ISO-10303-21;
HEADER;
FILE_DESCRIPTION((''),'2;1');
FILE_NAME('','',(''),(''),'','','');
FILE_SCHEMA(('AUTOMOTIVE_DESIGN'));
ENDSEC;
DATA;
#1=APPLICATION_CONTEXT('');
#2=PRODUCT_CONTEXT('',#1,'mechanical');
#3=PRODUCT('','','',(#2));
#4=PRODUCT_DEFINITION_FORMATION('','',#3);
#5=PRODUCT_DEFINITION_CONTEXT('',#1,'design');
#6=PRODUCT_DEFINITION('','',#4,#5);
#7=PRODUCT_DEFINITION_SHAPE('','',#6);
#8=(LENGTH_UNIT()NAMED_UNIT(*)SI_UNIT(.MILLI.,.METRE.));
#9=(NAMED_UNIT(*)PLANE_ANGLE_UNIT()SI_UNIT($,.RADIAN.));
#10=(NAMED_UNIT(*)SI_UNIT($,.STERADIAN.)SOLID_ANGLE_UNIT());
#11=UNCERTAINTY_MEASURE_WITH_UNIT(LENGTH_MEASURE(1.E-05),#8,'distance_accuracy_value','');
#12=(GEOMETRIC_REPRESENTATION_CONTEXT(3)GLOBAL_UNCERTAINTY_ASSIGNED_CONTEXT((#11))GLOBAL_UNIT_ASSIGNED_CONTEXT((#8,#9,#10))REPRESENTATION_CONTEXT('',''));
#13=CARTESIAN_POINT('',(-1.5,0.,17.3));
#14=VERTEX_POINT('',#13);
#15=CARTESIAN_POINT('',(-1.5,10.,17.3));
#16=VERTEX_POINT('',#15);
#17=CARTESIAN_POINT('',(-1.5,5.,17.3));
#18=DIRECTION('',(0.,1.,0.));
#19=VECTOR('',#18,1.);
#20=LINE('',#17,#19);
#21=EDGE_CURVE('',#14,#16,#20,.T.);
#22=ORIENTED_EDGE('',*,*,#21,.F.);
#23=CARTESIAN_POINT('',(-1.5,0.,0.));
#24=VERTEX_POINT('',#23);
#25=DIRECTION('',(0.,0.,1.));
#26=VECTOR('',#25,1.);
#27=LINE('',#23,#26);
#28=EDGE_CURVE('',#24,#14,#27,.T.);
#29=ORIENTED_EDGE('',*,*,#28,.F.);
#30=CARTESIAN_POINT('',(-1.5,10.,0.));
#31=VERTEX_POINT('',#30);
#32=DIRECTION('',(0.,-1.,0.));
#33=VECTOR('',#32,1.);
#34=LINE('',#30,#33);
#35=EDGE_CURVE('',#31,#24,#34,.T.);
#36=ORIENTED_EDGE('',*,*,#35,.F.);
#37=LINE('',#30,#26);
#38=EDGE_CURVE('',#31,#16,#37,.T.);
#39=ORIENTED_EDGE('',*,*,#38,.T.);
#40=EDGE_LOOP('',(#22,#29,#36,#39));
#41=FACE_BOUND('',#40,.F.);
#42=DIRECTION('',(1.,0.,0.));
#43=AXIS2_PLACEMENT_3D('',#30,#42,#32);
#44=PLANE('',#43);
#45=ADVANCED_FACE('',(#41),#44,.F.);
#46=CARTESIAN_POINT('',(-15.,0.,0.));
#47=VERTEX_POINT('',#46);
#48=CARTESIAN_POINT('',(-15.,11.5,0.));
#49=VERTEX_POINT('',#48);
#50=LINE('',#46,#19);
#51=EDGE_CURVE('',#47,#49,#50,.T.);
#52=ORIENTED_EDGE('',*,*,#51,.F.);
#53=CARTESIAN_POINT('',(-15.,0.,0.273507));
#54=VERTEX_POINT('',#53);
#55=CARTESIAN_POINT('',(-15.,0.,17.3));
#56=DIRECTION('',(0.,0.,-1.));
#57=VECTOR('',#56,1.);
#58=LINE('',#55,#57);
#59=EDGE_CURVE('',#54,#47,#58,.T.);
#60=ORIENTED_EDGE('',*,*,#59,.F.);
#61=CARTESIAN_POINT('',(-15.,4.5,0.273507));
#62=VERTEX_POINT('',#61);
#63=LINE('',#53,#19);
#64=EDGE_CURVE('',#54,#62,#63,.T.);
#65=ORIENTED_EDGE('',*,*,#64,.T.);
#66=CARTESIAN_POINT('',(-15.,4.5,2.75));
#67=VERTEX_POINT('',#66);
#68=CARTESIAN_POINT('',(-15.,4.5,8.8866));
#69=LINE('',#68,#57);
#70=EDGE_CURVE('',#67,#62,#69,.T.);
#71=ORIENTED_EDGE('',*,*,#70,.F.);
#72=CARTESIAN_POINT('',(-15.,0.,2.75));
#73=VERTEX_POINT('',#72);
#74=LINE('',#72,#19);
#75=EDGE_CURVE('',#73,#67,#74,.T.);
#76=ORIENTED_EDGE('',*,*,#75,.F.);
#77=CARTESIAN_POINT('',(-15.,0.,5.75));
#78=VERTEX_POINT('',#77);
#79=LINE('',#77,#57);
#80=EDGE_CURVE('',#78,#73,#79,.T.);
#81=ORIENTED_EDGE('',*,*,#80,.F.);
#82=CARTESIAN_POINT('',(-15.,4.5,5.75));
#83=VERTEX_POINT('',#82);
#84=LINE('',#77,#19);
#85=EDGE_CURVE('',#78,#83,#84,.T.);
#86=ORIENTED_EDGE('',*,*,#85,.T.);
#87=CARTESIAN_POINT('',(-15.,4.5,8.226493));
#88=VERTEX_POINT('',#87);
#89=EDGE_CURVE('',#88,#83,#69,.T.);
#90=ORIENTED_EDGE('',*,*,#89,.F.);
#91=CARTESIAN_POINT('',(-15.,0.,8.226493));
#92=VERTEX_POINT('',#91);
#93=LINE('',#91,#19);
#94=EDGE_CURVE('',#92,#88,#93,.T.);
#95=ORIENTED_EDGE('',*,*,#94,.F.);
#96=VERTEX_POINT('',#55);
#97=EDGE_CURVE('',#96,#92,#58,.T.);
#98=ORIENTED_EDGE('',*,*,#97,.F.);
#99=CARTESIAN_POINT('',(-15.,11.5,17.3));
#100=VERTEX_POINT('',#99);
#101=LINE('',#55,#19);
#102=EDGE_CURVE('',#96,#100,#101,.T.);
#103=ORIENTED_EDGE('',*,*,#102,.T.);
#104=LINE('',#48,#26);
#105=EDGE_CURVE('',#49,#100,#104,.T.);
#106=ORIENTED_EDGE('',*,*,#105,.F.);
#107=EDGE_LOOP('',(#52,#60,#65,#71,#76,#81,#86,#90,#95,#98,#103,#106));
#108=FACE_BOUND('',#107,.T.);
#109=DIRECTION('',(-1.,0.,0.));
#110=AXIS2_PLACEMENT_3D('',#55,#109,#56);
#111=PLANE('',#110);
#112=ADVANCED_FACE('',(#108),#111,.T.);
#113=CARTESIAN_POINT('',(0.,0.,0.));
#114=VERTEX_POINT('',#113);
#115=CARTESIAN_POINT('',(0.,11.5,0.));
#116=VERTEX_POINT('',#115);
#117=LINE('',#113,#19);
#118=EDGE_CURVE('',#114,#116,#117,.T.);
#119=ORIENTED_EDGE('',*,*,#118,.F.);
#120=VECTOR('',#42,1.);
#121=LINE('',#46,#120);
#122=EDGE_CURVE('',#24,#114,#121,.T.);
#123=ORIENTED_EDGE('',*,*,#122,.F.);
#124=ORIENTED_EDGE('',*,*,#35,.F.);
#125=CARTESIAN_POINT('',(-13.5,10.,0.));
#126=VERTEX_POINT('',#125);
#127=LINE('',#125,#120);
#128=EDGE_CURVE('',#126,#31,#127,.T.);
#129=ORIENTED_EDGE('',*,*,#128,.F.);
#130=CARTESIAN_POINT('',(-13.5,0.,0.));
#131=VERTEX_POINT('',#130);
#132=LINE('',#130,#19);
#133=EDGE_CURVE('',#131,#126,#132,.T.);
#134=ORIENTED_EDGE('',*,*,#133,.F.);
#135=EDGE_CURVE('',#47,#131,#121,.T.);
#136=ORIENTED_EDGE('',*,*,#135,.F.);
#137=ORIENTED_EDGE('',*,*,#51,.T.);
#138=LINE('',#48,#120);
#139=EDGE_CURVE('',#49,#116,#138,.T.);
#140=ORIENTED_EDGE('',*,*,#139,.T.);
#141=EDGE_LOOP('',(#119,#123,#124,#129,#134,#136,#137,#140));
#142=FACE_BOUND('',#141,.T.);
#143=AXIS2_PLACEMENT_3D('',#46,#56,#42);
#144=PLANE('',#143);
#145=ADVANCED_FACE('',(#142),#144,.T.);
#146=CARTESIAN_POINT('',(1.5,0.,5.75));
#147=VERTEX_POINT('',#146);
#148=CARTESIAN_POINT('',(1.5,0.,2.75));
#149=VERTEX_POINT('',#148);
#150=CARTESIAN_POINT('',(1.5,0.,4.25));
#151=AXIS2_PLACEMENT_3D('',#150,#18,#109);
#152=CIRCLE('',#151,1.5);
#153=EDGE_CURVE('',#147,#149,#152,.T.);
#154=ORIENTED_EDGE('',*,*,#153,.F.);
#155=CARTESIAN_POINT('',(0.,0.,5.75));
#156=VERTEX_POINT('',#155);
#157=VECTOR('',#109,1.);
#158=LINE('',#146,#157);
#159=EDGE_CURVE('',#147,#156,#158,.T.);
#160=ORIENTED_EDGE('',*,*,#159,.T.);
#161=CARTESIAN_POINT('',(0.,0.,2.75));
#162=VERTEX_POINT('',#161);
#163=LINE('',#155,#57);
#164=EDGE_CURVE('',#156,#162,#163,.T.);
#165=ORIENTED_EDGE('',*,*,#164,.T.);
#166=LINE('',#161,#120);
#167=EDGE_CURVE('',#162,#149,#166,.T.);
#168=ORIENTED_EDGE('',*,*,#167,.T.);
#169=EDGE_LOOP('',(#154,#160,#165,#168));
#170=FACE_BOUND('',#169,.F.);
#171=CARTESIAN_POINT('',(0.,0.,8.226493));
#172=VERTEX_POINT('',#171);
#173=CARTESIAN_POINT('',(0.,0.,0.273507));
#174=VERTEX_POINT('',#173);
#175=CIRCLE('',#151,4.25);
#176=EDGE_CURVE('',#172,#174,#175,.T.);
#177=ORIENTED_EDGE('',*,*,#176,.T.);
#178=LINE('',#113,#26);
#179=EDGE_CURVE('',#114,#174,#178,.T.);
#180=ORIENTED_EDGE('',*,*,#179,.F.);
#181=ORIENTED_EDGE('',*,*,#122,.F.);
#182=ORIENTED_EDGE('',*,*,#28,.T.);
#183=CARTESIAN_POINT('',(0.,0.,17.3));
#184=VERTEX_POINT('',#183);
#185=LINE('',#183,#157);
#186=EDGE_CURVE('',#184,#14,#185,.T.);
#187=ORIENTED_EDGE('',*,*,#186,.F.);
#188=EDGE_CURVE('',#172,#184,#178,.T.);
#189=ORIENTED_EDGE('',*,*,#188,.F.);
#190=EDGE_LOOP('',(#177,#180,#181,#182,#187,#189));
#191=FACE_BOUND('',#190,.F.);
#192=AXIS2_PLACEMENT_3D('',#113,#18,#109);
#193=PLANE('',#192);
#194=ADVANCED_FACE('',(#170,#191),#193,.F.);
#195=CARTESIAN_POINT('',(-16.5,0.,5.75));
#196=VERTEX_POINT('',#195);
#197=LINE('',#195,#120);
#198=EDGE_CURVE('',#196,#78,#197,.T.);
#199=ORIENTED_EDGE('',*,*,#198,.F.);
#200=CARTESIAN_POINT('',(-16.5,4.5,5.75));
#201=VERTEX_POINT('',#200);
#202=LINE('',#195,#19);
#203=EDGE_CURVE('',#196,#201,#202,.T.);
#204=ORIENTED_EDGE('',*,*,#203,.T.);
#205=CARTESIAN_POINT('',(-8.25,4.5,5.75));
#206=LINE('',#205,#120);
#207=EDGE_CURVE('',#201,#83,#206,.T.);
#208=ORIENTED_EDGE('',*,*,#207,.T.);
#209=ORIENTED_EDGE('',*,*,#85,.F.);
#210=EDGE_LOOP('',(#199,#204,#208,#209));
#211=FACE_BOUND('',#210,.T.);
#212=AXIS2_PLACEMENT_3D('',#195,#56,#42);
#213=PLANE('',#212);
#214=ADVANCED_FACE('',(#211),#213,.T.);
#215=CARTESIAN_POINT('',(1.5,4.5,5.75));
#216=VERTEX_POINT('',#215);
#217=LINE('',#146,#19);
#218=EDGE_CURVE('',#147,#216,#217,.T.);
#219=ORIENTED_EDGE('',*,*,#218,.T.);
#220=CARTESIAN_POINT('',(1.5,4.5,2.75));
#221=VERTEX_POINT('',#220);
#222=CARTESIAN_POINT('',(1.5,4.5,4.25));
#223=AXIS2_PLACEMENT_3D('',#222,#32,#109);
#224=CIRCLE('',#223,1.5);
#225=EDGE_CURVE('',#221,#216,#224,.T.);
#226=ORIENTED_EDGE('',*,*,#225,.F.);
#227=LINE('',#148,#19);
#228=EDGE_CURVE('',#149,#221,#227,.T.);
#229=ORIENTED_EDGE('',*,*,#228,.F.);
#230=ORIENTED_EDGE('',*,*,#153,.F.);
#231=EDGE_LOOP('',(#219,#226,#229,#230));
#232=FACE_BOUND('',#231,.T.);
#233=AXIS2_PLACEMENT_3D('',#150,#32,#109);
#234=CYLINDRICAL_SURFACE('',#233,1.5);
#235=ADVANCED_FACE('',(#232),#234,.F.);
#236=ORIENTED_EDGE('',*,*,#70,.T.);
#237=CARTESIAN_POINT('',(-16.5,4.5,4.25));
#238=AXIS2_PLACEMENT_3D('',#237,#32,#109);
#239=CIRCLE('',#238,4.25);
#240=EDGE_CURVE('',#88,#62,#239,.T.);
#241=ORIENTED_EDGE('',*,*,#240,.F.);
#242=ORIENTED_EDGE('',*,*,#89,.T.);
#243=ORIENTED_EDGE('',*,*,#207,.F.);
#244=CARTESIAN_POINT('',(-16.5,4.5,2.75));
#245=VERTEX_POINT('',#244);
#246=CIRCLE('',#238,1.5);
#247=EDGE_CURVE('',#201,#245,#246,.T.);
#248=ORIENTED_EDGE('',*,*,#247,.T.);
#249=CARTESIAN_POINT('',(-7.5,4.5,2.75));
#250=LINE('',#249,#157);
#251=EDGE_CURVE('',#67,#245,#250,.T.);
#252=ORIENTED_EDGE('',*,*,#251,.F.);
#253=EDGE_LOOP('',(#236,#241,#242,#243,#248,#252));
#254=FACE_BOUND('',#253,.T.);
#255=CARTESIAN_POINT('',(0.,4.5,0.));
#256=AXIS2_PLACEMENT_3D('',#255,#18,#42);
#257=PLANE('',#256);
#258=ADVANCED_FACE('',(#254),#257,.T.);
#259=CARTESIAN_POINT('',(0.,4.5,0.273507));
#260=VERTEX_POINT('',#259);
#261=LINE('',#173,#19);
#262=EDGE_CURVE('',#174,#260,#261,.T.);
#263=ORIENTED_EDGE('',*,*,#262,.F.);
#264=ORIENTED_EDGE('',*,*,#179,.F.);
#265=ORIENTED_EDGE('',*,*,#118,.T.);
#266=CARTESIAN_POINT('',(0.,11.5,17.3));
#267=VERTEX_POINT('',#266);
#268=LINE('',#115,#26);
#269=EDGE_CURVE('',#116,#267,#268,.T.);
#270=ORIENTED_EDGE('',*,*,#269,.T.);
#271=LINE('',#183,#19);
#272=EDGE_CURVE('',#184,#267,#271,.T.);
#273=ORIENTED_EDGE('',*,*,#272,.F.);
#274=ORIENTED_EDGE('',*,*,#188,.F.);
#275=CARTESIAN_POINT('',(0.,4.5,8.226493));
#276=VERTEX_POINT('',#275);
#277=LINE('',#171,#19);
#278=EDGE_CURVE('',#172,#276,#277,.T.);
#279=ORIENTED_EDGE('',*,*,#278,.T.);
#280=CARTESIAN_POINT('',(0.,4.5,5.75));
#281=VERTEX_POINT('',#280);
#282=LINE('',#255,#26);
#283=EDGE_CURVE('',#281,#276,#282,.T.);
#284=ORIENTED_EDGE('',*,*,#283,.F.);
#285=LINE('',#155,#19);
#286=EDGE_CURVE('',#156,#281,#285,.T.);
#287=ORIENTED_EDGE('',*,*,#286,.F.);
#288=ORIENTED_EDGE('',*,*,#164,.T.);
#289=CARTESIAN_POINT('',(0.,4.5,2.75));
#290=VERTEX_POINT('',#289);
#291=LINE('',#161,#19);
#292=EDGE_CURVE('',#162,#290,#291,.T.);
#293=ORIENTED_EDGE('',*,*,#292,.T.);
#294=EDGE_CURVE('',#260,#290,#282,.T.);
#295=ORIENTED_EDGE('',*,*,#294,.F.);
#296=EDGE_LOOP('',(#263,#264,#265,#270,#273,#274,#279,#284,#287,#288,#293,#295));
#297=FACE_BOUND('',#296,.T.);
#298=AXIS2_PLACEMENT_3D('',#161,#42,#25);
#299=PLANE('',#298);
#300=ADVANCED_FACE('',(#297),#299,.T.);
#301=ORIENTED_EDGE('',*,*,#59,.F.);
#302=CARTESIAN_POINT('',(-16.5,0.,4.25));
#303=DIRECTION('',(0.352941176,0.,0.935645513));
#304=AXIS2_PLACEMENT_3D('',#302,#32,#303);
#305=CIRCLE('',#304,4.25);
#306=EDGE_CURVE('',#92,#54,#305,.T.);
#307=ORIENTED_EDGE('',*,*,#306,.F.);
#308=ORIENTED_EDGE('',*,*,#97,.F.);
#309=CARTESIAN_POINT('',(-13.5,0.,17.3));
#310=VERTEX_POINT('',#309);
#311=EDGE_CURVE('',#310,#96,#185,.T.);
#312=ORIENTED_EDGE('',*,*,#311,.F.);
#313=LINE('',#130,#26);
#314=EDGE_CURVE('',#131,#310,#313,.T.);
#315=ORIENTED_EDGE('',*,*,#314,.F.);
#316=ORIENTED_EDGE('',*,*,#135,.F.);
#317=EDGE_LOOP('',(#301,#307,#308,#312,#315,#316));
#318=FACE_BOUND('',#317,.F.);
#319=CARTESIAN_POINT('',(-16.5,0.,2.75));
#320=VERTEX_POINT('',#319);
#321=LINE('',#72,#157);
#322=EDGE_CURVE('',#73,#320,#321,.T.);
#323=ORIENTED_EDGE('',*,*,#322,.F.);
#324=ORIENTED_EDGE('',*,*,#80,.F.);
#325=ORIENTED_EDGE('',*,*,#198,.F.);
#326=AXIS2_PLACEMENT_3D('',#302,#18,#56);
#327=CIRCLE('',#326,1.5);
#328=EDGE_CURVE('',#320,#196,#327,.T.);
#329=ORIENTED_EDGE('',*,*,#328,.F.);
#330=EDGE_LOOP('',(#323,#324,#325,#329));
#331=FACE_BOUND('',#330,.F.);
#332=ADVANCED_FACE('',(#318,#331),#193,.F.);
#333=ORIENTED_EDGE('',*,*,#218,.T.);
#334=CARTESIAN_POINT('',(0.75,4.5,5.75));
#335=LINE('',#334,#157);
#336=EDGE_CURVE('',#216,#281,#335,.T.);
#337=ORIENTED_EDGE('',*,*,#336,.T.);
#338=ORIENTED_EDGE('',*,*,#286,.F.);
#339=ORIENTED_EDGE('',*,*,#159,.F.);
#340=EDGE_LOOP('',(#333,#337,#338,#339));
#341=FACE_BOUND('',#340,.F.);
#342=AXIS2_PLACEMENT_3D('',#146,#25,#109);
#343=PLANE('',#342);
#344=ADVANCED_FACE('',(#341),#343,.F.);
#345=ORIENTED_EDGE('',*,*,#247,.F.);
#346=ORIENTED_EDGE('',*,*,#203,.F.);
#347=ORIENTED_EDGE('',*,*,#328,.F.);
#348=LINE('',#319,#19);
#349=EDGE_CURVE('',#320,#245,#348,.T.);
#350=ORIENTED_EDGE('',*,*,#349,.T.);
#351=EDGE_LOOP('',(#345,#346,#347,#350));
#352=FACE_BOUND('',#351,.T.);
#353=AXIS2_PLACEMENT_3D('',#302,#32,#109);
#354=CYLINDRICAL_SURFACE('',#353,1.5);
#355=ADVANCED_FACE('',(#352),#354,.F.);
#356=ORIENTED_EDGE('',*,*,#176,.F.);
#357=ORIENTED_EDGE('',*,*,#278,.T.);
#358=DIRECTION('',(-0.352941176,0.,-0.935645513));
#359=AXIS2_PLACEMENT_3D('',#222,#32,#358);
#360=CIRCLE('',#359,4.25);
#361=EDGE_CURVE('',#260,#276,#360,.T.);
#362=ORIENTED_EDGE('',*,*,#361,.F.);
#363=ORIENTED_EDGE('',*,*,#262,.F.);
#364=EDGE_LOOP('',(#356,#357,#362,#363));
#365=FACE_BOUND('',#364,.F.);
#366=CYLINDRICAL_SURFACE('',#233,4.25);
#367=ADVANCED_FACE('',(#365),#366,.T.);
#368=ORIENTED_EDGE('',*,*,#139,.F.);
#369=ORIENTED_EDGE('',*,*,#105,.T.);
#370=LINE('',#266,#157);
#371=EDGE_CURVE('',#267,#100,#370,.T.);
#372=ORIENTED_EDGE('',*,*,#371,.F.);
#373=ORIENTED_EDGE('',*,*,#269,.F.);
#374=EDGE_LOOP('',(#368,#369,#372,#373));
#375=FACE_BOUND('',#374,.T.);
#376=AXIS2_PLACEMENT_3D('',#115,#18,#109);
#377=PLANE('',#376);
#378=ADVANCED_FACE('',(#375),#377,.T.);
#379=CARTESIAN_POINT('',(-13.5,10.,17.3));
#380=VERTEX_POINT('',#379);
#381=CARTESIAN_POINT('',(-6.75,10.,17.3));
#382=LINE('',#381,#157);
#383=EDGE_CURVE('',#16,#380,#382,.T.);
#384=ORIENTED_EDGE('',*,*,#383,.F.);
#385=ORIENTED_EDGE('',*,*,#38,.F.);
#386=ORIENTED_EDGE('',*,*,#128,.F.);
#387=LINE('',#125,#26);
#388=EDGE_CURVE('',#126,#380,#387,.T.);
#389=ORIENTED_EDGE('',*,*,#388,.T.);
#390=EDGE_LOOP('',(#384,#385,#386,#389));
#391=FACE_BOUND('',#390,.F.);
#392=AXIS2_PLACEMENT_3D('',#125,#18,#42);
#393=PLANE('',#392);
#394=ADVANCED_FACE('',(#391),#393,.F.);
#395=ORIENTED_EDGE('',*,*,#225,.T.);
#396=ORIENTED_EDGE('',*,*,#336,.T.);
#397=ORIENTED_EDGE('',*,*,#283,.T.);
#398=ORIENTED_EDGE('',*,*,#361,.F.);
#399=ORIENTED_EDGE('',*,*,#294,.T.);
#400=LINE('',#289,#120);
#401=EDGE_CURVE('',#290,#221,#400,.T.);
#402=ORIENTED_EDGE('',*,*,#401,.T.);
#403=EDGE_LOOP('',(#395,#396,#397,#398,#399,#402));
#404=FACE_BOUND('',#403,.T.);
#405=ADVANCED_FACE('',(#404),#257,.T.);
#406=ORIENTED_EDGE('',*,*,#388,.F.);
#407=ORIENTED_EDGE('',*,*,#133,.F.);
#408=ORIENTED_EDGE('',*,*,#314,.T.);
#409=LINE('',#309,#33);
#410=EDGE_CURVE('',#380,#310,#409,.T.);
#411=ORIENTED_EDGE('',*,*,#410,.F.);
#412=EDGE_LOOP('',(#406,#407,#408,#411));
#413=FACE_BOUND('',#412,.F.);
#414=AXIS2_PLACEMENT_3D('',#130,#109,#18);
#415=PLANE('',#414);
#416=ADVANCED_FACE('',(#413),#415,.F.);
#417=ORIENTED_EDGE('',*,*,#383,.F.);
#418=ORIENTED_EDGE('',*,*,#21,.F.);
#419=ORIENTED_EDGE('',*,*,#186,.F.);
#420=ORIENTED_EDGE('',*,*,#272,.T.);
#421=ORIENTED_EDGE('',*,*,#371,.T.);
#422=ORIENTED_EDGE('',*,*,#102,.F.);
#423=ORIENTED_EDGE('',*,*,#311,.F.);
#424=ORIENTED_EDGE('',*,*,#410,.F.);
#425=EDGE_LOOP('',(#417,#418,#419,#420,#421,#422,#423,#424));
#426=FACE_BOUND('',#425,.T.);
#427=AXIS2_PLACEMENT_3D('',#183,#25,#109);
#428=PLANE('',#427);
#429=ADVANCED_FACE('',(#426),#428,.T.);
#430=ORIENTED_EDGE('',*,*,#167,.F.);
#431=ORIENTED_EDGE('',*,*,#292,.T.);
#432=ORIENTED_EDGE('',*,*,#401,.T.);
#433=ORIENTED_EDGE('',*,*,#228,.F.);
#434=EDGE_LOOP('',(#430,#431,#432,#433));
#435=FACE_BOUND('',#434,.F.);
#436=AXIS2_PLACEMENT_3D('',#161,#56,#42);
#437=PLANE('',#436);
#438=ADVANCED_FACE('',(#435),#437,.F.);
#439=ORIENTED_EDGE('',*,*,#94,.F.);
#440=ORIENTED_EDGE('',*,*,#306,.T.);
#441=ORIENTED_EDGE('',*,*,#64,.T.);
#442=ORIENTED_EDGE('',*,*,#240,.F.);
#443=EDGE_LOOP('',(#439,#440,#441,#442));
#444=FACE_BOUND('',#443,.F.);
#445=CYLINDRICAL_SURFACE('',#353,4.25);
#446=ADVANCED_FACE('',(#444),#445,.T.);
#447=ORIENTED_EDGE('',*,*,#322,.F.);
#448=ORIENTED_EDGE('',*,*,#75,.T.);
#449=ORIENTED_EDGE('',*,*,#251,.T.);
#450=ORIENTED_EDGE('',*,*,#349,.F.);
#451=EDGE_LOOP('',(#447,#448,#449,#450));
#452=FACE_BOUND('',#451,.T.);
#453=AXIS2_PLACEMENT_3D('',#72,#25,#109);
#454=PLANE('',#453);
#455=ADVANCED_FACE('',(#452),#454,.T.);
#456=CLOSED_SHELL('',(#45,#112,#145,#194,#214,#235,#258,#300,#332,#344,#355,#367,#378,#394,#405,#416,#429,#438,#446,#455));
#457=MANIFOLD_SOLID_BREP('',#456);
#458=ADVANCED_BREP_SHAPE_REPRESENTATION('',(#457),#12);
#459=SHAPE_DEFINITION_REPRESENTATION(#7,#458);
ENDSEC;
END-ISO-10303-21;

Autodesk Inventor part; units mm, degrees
ref_plane "YZ Plane" through (0, 0, 0) normal (1, 0, 0) x (0, 1, 0)
ref_plane "XZ Plane" through (0, 0, 0) normal (0, 1, 0) x (-1, 0, 0)
ref_plane "XY Plane" through (0, 0, 0) normal (0, 0, 1) x (1, 0, 0)
sketch "Szkic1" plane through (0, 0, 0) normal (0, 1, 0) x (-1, 0, 0)
  line L0 (0, 0) -> (0, 17.3)
  line L1 (0, 17.3) -> (15, 17.3)
  line L2 (15, 17.3) -> (15, 0)
  line L3 (15, 0) -> (0, 0)
  line L4 (0, 0) -> (0, 4.25)
  line L5 (0, 4.25) -> (-1.5, 4.25)
  line L6 (-1.5, 4.25) -> (16.5, 4.25)
  circle A0 centre (-1.5, 4.25) radius 4.25
  circle A1 centre (16.5, 4.25) radius 4.25
  circle A2 centre (-1.5, 4.25) radius 1.5
  circle A3 centre (16.5, 4.25) radius 1.5
  line L7 (15, 2.75) -> (16.5, 2.75)
  line L8 (16.5, 5.75) -> (15, 5.75)
  line L9 (0, 2.75) -> (-1.5, 2.75)
  line L10 (-1.5, 5.75) -> (0, 5.75)
  dimension "d0" = 17.3
  dimension "d1" = 15
  dimension "d2" = 4.25
  dimension "d3" = 1.5
  dimension "d4" = 18
extrude "Wyciągnięcie proste1" add sketch "Szkic1" along normal blind 11.5 contours L0 L6 A0 | L0 A0 L10 A2 L9 | L0 A0 L6 | A0 L6 A1 L2 L3 L0 | A0 L0 L1 L2 A1 L6 | A1 L2 L6 | L6 L2 A1 | A1 L2 L7 A3 L8
sketch "Szkic2" plane through (0, 0, 0) normal (0, 0, -1) x (-1, 0, 0)
  line L0 (15, 0) -> (15, 11.5) projected
  line L1 (15, 0) -> (13.5, 0)
  line L2 (0, 0) -> (15, 0) projected
  line L3 (13.5, 0) -> (13.5, 10)
  line L4 (0, 11.5) -> (15, 11.5) projected
  line L5 (13.5, 10) -> (1.5, 10)
  line L6 (1.5, 10) -> (1.5, 0)
  dimension "d7" = 1.5
  dimension "d8" = 10
  dimension "d9" = 12
extrude "Wyciągnięcie proste2" cut sketch "Szkic2" against normal blind 20
sketch "Szkic3" plane through (0, 11.5, 0) normal (0, 1, 0) x (1, 0, 0)
  line L0 (0, -17.3) -> (0, -8.2265) projected
  line L1 (0, -8.8866) -> (6.1207, -8.8866)
  line L2 (6.1207, -8.8866) -> (6.1207, 0)
  line L3 (6.1207, 0) -> (0, 0)
  line L4 (0, 0) -> (0, -8.8866)
  line L5 (-15, -8.2265) -> (-15, -17.3) projected
  line L6 (-15, -8.8866) -> (-15, 0.446)
  line L7 (-15, 0.446) -> (-21.7347, 0.446)
  line L8 (-21.7347, 0.446) -> (-21.7347, -8.8866)
  line L9 (-21.7347, -8.8866) -> (-15, -8.8866)
extrude "Wyciągnięcie proste3" cut sketch "Szkic3" against normal blind 7
properties part number "przedluzone_mocowanie"
